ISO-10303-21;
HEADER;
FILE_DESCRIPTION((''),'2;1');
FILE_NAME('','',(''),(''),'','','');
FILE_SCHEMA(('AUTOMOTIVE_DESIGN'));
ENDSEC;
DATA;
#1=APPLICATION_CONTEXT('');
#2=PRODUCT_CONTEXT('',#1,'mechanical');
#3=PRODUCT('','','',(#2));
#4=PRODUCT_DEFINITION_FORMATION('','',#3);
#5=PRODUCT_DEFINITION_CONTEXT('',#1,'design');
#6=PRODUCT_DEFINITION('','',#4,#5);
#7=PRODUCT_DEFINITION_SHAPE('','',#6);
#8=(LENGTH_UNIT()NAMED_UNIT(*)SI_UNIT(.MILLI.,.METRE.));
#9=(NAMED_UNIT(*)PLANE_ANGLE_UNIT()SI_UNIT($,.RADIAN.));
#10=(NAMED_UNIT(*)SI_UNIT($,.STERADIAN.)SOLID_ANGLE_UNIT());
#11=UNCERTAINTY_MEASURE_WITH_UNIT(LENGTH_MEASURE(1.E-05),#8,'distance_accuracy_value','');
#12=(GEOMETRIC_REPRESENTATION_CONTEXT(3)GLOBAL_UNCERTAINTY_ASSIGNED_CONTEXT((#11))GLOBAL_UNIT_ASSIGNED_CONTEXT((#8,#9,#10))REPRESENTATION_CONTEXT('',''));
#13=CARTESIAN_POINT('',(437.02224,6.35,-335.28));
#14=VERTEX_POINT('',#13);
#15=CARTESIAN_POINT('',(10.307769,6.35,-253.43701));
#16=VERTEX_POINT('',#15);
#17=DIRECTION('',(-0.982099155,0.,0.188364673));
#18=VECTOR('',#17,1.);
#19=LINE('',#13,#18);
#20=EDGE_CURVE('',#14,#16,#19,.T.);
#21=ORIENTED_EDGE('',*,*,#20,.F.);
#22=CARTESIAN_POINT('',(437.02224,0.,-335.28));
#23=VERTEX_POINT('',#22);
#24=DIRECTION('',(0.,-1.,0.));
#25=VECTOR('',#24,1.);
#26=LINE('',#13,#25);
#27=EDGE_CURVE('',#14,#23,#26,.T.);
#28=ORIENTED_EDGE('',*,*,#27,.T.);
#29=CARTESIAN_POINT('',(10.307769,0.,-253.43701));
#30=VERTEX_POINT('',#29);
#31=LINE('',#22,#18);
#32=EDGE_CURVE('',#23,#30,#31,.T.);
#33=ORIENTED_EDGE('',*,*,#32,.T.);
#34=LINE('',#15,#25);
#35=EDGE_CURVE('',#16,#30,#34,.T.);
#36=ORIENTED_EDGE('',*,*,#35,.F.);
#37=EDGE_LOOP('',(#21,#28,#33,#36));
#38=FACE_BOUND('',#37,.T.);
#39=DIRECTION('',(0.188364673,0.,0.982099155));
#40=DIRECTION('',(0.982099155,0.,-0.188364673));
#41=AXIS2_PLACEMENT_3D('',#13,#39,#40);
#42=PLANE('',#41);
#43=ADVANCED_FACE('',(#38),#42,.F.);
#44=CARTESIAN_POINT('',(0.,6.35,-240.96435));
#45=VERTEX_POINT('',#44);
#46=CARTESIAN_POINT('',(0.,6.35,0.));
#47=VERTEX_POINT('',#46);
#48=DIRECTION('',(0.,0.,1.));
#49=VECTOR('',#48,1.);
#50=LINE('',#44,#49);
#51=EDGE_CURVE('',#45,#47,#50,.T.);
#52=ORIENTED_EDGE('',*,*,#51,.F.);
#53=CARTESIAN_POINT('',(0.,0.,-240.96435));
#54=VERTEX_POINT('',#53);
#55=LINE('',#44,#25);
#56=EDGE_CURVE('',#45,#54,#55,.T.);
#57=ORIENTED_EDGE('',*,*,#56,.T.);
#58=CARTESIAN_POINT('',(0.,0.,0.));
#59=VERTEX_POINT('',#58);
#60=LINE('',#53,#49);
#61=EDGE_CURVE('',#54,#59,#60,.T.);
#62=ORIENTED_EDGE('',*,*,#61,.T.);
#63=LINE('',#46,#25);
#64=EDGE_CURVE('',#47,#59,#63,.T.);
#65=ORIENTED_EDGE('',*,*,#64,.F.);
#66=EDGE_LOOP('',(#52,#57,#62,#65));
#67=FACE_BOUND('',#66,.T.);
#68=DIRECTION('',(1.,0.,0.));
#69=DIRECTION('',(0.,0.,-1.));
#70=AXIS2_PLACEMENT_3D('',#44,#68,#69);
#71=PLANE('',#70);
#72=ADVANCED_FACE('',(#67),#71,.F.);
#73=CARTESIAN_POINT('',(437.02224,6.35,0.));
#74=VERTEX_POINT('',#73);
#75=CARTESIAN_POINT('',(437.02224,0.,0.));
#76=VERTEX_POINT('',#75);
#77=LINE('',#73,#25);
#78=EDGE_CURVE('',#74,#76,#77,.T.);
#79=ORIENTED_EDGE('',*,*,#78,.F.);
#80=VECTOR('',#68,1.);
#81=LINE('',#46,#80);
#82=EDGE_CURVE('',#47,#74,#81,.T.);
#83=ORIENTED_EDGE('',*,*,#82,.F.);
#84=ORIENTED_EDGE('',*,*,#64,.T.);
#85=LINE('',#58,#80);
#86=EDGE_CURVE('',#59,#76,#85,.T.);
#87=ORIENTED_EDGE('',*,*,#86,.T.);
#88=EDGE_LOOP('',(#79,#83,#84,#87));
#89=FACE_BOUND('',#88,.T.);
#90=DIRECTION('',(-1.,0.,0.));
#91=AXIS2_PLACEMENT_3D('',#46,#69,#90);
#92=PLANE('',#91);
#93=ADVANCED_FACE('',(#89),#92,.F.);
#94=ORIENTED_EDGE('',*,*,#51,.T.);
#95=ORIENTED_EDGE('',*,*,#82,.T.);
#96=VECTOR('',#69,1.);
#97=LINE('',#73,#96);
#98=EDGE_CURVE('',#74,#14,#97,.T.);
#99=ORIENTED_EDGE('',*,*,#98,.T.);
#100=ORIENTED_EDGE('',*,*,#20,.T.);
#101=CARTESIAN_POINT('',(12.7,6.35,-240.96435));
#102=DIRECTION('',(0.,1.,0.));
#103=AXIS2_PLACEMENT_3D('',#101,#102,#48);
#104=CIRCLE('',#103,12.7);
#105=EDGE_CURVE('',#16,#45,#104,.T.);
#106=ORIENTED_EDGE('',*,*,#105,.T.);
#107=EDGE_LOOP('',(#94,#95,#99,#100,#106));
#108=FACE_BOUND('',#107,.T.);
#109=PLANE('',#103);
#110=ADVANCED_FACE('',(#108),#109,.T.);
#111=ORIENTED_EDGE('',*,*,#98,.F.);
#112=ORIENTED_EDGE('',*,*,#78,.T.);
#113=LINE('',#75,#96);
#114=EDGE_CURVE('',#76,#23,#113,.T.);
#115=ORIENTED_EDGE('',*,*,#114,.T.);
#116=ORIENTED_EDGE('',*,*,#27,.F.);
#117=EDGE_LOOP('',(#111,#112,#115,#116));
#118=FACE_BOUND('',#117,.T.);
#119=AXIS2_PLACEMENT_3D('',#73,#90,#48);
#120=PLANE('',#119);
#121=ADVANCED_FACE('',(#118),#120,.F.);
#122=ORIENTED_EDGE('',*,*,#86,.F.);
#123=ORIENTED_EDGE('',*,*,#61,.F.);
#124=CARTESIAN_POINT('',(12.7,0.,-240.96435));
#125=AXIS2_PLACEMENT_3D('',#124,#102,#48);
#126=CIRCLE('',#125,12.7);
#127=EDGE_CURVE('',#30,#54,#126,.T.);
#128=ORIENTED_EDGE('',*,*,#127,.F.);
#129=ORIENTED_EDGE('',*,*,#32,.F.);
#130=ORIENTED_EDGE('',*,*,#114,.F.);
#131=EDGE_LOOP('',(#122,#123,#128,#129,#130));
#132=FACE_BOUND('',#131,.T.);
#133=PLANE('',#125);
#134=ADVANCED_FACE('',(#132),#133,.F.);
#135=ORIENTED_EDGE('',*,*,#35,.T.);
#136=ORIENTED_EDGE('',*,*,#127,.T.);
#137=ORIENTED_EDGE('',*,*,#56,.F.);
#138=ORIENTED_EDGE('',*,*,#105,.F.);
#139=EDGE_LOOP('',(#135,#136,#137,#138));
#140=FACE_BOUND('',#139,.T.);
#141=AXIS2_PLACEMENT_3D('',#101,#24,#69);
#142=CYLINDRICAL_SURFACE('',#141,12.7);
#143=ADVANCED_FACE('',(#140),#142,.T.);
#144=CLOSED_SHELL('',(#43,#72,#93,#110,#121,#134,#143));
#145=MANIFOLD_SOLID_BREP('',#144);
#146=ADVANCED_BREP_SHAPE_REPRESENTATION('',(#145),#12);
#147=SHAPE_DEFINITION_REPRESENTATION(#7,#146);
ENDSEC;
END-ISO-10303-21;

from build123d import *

# Parameters (mm, degrees)
BOSS_EXTRUDE1_DEPTH = 6.35


with BuildPart() as part:
    # Sketch1 → Boss-Extrude1 (new body)
    with BuildSketch(Plane(origin=(0, 0, 0), x_dir=(1, 0, 0), z_dir=(0, 1, 0))):
        with BuildLine():
            Line((0, 0), (437.02224, 0))
            Line((437.02224, 0), (437.02224, 335.28))
            Line((437.02224, 335.28), (10.307768658, 253.437009611))
            ThreePointArc((10.307768658, 253.437009611), (2.910430601, 249.054735438), (0, 240.964350344))
            Line((0, 240.964350344), (0, 0))
        make_face()
    extrude(amount=BOSS_EXTRUDE1_DEPTH)


solid = part.part
